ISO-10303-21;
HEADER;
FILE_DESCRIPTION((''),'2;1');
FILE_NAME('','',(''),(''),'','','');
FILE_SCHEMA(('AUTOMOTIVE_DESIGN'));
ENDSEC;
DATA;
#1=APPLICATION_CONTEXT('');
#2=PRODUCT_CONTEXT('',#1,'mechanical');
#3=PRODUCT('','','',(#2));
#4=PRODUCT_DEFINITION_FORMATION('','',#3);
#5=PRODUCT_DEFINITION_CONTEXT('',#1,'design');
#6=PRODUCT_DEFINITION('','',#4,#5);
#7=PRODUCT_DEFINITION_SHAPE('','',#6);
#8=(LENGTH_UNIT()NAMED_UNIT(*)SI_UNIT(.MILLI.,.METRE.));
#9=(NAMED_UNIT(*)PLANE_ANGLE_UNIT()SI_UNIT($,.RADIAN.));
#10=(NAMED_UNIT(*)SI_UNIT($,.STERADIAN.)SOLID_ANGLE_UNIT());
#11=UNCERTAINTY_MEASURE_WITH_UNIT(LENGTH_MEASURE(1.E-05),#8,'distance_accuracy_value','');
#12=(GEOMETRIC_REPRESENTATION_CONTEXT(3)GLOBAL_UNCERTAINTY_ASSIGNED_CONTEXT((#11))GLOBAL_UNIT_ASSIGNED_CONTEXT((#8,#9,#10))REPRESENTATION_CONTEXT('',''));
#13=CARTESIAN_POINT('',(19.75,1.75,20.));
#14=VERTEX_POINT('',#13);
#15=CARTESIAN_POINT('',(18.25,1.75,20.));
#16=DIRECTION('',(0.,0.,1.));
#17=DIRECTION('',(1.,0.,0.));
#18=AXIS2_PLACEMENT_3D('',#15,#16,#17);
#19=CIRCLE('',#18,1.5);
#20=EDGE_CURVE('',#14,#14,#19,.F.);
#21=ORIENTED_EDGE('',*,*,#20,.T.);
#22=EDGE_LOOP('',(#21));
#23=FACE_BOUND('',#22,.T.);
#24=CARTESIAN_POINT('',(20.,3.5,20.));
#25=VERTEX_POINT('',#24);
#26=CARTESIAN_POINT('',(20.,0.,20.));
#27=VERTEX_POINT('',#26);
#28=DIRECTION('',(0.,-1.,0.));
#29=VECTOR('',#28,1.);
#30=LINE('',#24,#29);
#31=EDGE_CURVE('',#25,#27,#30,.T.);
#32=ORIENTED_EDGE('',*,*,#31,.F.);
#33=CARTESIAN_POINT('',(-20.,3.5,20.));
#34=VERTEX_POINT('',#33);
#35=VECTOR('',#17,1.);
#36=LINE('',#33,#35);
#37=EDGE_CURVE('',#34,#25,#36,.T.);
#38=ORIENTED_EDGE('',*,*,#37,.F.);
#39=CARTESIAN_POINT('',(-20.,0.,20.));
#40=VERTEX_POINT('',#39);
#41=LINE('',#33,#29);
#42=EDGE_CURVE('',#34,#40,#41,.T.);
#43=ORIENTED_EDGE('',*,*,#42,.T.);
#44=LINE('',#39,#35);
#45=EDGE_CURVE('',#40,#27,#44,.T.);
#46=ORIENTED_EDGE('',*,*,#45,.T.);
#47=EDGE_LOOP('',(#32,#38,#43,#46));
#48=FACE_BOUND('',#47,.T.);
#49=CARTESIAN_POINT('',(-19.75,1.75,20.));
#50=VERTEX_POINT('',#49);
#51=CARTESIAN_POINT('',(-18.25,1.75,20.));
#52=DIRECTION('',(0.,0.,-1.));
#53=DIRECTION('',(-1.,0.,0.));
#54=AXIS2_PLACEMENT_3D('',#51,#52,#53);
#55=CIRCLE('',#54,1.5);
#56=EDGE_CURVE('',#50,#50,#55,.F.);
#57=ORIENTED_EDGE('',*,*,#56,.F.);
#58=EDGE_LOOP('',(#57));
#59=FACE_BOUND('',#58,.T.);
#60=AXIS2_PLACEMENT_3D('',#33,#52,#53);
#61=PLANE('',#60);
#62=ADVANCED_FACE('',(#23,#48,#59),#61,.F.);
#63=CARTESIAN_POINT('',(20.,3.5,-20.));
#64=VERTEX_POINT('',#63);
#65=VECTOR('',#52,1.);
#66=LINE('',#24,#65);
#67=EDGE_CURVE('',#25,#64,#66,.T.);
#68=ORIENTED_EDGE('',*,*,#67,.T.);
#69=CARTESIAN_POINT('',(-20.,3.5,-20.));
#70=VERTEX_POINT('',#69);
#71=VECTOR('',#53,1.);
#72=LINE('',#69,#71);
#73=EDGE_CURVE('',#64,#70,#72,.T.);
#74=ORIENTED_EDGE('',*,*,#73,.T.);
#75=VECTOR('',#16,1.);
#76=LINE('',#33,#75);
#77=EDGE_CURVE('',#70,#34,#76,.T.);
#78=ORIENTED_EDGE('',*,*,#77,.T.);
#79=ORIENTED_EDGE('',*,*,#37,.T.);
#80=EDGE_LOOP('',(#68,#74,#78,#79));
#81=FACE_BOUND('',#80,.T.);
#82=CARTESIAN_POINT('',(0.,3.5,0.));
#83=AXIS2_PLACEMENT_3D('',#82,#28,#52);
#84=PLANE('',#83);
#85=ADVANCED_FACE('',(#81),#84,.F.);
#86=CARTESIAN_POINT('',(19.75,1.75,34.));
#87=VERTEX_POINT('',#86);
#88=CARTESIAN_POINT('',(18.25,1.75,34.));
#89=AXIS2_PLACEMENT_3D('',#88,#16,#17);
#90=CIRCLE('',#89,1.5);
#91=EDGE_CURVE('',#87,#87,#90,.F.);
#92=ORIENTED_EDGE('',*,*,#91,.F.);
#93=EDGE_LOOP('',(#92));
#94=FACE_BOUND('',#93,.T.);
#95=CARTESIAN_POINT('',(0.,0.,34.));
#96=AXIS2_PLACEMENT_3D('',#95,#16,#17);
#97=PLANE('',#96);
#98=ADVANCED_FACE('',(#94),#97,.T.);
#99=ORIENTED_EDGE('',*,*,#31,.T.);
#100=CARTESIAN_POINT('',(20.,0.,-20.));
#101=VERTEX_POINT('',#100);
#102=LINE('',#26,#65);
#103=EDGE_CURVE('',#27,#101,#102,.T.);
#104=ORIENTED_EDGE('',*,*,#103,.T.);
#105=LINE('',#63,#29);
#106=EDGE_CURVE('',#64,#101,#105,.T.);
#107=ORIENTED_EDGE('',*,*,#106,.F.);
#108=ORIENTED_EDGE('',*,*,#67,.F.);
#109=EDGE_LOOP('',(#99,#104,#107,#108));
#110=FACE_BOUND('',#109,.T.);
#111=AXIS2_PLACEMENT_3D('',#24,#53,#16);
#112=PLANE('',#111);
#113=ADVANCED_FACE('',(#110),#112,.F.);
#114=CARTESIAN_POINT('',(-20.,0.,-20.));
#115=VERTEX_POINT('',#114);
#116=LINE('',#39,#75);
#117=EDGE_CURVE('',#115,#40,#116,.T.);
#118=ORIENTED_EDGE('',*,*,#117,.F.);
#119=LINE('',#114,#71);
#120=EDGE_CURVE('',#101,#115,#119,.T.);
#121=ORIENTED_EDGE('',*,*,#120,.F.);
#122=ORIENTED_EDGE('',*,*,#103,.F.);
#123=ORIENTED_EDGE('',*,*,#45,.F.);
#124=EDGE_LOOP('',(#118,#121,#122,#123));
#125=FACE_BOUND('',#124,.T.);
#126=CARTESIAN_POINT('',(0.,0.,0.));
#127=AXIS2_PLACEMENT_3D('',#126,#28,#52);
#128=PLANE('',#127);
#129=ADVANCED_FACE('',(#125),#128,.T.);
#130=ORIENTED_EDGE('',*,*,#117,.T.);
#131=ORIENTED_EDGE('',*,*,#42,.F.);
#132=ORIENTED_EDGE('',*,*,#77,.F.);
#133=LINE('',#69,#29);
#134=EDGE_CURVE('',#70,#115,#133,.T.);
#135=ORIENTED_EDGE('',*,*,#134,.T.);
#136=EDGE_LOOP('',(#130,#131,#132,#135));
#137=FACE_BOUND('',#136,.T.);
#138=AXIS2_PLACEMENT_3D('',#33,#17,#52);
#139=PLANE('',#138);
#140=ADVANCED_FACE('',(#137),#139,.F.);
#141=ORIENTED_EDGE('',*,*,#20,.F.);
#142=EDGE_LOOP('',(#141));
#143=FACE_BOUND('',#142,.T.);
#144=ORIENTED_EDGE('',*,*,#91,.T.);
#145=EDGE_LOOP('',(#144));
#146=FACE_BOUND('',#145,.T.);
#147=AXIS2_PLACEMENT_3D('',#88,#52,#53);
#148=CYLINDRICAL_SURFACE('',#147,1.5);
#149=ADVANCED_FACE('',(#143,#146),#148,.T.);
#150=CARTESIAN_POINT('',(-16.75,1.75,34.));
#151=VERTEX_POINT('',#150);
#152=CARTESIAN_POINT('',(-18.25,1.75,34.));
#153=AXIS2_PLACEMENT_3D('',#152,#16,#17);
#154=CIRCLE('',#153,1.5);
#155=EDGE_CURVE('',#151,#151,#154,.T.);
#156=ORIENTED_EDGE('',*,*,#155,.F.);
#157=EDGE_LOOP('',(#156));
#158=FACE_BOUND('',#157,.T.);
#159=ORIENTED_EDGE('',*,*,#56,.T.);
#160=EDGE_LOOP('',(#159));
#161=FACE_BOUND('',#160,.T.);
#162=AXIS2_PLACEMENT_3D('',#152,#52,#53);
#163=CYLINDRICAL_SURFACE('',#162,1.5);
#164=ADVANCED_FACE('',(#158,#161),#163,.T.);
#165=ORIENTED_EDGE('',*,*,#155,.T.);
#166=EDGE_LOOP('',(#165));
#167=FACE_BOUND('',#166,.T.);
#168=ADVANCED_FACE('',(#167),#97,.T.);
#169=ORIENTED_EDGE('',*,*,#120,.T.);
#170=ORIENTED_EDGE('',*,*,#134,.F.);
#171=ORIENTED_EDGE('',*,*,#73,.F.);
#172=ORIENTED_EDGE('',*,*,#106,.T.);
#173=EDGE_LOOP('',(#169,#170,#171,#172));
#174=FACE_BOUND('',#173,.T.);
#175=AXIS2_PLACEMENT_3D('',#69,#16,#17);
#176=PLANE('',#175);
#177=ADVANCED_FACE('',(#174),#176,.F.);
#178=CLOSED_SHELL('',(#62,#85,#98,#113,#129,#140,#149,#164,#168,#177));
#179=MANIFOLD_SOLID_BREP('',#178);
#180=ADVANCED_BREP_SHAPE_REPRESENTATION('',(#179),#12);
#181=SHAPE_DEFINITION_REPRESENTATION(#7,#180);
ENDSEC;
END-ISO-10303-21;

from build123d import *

# Parameters (mm, degrees)
SKETCH1_W           = 40
SKETCH1_H           = 40
BOSS_EXTRUDE1_DEPTH = 3.5
SKETCH2_R           = 1.5
BOSS_EXTRUDE2_DEPTH = 14


with BuildPart() as part:
    # Sketch1 → Boss-Extrude1 (new body)
    with BuildSketch(Plane(origin=(0, 0, 0), x_dir=(1, 0, 0), z_dir=(0, 1, 0))):
        Rectangle(SKETCH1_W, SKETCH1_H)
    extrude(amount=BOSS_EXTRUDE1_DEPTH)

    # Sketch2 → Boss-Extrude2 (add)
    with BuildSketch(Plane.XY.offset(20)):
        with Locations((18.25, 1.75)):
            Circle(SKETCH2_R)
        with Locations(Location((-18.25, 1.75, 0), (0, 0, 180))):
            Circle(SKETCH2_R)
    extrude(amount=BOSS_EXTRUDE2_DEPTH)


solid = part.part
